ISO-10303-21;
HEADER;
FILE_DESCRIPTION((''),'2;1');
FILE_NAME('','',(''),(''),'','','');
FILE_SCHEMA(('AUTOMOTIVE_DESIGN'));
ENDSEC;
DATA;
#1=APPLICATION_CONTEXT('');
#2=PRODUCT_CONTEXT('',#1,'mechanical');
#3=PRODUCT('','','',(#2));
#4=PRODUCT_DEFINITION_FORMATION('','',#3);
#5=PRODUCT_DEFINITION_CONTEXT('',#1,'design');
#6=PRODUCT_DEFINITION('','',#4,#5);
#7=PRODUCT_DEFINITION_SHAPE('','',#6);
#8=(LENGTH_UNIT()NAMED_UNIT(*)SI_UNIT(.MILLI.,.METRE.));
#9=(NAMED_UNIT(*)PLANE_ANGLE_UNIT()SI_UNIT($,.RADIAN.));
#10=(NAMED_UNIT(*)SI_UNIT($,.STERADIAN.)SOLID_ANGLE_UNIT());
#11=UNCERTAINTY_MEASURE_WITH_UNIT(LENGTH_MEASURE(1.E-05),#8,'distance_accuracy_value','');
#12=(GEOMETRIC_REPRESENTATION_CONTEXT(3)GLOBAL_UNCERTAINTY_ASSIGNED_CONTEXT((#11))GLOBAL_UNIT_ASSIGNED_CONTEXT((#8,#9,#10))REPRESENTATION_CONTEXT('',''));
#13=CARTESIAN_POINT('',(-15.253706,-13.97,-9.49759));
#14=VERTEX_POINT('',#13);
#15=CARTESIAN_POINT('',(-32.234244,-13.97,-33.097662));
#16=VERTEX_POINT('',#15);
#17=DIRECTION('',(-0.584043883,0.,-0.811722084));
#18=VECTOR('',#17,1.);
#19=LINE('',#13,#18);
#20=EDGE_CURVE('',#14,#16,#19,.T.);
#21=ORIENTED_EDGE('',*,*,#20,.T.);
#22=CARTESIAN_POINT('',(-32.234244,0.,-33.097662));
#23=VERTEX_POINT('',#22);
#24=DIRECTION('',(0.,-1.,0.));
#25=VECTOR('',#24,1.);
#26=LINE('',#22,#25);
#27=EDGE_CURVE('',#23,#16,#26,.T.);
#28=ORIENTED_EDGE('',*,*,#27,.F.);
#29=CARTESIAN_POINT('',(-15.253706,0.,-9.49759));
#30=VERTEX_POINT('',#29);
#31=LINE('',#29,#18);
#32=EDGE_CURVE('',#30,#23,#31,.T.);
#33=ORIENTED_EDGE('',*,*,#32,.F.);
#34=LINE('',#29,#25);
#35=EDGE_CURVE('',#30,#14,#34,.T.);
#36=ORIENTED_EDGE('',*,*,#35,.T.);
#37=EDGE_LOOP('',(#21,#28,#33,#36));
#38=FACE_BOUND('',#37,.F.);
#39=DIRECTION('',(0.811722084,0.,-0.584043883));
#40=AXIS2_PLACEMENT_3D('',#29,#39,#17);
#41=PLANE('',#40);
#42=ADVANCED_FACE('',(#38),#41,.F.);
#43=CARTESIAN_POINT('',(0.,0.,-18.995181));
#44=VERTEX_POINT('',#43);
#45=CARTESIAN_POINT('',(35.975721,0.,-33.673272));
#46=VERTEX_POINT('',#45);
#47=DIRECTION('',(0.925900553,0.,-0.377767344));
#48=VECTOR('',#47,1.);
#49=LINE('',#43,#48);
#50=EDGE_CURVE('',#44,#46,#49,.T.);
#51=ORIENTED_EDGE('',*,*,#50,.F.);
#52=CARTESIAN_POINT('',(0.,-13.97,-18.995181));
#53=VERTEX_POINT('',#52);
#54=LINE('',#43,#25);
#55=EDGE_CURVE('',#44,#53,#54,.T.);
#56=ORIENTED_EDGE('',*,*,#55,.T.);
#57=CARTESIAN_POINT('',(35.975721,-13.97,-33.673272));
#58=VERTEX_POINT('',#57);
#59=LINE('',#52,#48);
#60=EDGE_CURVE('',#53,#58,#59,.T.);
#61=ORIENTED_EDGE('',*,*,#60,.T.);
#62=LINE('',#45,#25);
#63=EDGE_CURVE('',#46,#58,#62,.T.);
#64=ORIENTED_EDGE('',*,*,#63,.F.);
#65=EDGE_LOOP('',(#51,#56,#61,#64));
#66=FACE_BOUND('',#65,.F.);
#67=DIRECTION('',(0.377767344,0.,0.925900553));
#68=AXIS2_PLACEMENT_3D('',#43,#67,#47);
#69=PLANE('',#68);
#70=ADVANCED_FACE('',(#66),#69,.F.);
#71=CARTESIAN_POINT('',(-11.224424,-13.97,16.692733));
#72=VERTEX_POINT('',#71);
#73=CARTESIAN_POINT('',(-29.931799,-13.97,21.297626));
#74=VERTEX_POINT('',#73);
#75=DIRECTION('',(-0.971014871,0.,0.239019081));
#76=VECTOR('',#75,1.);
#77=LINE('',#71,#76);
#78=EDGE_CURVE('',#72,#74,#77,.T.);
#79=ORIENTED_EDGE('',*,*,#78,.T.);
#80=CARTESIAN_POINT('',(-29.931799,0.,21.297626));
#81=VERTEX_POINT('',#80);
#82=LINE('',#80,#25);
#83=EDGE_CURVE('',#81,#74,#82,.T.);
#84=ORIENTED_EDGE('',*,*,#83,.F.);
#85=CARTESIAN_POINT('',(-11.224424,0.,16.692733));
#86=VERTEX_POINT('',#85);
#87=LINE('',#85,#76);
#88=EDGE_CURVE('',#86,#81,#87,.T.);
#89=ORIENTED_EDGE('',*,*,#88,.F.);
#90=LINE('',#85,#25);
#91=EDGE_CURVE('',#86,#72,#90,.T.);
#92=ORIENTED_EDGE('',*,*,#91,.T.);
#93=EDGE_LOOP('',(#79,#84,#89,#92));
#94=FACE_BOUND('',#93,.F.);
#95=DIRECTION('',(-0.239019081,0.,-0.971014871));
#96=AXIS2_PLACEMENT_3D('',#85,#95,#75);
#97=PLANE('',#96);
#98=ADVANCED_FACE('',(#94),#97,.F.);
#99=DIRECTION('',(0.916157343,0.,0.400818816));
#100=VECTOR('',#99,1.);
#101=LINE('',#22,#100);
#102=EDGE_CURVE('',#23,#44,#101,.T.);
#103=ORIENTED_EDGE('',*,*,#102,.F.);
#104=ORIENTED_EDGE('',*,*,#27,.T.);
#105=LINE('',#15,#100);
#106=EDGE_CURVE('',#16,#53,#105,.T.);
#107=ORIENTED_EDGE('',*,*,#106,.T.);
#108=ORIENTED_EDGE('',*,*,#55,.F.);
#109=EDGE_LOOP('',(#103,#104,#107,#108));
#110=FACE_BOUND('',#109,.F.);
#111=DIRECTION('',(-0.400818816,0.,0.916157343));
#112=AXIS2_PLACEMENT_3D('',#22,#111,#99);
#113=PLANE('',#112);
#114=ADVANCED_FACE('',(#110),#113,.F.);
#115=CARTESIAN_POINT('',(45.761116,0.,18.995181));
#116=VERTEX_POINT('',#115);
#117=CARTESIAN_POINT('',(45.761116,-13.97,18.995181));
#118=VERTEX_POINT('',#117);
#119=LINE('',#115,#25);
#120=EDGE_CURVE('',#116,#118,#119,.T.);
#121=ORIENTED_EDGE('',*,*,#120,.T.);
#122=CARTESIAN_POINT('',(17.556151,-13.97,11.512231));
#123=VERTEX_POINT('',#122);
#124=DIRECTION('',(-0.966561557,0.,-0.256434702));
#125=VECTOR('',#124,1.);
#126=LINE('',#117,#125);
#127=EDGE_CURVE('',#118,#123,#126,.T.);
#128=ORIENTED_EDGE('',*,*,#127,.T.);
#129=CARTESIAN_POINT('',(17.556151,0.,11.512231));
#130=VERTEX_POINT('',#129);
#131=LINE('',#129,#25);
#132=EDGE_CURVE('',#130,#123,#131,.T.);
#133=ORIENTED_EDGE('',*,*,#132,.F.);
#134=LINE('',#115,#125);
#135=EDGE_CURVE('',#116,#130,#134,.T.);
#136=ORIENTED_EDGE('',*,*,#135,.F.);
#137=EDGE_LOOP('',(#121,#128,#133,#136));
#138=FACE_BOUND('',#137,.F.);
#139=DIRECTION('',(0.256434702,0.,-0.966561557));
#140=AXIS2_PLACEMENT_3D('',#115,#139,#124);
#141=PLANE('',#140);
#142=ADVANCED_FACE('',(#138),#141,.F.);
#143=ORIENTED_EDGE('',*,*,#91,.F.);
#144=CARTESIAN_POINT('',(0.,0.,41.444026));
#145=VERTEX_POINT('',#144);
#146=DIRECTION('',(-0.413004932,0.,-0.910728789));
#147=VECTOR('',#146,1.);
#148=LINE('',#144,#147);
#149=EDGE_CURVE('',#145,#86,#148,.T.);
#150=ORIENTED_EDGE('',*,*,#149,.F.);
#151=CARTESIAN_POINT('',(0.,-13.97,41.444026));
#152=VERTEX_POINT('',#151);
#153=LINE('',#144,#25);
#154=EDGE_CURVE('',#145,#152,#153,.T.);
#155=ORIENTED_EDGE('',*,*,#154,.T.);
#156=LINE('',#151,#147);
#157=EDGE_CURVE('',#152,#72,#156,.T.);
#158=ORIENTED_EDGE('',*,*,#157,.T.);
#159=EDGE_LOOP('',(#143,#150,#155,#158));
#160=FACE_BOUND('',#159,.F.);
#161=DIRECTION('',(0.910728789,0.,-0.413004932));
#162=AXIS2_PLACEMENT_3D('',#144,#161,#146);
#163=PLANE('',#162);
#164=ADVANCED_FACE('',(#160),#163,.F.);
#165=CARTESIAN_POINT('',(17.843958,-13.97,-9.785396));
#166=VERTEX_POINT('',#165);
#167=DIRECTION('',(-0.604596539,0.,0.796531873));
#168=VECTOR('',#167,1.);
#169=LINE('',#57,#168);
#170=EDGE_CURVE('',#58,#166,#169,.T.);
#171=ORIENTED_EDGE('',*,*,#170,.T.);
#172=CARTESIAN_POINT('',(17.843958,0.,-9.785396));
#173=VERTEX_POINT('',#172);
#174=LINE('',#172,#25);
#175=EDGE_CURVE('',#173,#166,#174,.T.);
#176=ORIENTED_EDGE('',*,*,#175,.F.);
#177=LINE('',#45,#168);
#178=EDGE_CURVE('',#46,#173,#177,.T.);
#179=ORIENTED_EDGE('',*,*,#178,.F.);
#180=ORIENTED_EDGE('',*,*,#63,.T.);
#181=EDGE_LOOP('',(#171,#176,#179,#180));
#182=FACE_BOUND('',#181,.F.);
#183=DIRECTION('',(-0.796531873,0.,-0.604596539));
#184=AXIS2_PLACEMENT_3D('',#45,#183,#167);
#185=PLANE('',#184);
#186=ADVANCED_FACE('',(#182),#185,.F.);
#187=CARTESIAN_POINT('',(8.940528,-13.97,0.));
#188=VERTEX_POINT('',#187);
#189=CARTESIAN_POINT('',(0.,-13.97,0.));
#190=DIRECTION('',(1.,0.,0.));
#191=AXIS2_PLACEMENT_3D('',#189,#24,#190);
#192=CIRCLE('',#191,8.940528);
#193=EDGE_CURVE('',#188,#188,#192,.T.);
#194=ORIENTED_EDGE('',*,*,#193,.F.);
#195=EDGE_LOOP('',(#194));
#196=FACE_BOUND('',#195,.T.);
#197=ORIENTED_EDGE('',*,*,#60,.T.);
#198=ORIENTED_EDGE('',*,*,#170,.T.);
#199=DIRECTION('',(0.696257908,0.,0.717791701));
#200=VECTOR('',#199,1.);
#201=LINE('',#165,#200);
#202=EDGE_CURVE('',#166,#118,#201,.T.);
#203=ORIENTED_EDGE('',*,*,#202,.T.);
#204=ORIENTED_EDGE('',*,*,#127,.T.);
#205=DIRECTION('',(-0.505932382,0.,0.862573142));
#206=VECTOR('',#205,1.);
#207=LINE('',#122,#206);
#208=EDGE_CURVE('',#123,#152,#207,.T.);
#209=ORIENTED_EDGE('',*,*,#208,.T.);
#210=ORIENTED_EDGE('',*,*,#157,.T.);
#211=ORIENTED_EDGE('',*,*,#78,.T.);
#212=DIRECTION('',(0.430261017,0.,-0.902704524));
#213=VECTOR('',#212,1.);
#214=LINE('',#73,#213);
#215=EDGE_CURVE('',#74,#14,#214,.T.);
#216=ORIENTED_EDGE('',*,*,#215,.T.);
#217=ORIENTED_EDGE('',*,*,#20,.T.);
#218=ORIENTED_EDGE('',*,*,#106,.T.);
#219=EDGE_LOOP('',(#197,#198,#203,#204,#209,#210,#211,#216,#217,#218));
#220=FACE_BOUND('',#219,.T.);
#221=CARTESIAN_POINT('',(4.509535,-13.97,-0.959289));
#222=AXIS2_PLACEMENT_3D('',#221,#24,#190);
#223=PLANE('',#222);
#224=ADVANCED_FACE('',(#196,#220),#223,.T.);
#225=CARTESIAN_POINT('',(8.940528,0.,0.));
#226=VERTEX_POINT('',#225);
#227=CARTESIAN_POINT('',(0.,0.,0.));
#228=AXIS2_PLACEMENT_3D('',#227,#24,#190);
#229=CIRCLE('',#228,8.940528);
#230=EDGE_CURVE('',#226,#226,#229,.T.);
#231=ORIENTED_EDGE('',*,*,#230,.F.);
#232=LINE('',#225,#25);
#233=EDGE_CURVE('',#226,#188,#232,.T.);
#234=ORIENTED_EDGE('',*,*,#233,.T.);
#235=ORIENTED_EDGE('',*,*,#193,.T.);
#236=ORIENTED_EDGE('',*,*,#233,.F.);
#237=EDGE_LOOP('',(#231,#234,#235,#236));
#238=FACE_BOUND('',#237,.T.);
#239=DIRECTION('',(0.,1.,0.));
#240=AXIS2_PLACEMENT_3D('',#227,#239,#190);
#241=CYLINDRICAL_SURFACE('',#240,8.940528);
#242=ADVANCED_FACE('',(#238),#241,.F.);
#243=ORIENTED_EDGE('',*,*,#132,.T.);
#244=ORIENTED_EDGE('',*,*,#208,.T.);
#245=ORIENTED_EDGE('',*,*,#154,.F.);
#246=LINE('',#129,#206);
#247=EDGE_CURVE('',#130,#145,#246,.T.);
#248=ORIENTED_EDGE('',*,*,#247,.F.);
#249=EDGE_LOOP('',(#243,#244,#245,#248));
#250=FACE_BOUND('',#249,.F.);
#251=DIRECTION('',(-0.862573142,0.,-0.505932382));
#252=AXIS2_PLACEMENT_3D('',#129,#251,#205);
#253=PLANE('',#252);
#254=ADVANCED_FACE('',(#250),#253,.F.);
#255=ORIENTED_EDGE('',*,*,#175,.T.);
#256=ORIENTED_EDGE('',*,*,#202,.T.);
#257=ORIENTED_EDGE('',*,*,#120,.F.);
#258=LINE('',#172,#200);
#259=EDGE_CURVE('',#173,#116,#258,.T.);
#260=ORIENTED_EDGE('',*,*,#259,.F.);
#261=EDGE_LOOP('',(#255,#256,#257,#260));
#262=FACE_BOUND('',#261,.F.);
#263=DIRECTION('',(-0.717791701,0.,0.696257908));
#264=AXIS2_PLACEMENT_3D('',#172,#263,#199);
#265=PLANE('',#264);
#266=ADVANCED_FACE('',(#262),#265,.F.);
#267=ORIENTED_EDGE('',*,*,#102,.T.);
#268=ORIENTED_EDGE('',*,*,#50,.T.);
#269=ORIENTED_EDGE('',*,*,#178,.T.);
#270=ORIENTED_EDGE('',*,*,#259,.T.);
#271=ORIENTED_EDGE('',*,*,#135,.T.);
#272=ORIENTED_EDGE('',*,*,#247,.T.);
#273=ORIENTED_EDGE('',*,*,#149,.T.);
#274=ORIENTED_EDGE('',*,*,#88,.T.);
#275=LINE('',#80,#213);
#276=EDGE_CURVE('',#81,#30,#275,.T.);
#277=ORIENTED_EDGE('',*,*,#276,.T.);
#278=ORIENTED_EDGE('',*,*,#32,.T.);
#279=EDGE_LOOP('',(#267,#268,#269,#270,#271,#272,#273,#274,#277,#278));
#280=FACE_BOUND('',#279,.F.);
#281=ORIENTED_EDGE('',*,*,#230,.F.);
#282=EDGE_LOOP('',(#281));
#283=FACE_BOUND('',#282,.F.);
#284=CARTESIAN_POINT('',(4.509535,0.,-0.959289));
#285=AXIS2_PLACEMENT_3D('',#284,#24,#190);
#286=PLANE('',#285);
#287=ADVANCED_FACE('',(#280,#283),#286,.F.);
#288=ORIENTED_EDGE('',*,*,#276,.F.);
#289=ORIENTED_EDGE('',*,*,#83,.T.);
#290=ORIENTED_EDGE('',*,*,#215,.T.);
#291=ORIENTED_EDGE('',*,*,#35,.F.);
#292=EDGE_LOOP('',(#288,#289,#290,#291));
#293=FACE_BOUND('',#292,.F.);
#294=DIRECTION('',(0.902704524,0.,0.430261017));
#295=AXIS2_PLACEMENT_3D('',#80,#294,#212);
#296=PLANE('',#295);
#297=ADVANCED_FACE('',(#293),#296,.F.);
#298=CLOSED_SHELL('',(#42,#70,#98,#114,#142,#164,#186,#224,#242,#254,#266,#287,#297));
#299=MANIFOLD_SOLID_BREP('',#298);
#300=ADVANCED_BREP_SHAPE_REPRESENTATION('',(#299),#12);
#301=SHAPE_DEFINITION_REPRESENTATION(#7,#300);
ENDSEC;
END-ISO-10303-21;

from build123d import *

# Parameters (mm, degrees)
F1_DEPTH = 13.97
F2_R     = 8.940528
F3_DEPTH = 13.97


with BuildPart() as f1:
    # F0 (on Front) → F1 (new body)
    with BuildSketch(Plane.XZ):
        Polygon((17.556151, 11.512231), (0, 41.444026), (-11.224424, 16.692733), (-29.931799, 21.297626), (-15.253706, -9.49759), (-32.234244, -33.097662), (0, -18.995181), (35.975721, -33.673272), (17.843958, -9.785396), (45.761116, 18.995181), align=None)
    extrude(amount=F1_DEPTH)

    # F2 (on Front) → F3 (cut, through all)
    with BuildSketch(Plane.XZ):
        Circle(F2_R)
    extrude(amount=F3_DEPTH, mode=Mode.SUBTRACT)


solid = f1.part
